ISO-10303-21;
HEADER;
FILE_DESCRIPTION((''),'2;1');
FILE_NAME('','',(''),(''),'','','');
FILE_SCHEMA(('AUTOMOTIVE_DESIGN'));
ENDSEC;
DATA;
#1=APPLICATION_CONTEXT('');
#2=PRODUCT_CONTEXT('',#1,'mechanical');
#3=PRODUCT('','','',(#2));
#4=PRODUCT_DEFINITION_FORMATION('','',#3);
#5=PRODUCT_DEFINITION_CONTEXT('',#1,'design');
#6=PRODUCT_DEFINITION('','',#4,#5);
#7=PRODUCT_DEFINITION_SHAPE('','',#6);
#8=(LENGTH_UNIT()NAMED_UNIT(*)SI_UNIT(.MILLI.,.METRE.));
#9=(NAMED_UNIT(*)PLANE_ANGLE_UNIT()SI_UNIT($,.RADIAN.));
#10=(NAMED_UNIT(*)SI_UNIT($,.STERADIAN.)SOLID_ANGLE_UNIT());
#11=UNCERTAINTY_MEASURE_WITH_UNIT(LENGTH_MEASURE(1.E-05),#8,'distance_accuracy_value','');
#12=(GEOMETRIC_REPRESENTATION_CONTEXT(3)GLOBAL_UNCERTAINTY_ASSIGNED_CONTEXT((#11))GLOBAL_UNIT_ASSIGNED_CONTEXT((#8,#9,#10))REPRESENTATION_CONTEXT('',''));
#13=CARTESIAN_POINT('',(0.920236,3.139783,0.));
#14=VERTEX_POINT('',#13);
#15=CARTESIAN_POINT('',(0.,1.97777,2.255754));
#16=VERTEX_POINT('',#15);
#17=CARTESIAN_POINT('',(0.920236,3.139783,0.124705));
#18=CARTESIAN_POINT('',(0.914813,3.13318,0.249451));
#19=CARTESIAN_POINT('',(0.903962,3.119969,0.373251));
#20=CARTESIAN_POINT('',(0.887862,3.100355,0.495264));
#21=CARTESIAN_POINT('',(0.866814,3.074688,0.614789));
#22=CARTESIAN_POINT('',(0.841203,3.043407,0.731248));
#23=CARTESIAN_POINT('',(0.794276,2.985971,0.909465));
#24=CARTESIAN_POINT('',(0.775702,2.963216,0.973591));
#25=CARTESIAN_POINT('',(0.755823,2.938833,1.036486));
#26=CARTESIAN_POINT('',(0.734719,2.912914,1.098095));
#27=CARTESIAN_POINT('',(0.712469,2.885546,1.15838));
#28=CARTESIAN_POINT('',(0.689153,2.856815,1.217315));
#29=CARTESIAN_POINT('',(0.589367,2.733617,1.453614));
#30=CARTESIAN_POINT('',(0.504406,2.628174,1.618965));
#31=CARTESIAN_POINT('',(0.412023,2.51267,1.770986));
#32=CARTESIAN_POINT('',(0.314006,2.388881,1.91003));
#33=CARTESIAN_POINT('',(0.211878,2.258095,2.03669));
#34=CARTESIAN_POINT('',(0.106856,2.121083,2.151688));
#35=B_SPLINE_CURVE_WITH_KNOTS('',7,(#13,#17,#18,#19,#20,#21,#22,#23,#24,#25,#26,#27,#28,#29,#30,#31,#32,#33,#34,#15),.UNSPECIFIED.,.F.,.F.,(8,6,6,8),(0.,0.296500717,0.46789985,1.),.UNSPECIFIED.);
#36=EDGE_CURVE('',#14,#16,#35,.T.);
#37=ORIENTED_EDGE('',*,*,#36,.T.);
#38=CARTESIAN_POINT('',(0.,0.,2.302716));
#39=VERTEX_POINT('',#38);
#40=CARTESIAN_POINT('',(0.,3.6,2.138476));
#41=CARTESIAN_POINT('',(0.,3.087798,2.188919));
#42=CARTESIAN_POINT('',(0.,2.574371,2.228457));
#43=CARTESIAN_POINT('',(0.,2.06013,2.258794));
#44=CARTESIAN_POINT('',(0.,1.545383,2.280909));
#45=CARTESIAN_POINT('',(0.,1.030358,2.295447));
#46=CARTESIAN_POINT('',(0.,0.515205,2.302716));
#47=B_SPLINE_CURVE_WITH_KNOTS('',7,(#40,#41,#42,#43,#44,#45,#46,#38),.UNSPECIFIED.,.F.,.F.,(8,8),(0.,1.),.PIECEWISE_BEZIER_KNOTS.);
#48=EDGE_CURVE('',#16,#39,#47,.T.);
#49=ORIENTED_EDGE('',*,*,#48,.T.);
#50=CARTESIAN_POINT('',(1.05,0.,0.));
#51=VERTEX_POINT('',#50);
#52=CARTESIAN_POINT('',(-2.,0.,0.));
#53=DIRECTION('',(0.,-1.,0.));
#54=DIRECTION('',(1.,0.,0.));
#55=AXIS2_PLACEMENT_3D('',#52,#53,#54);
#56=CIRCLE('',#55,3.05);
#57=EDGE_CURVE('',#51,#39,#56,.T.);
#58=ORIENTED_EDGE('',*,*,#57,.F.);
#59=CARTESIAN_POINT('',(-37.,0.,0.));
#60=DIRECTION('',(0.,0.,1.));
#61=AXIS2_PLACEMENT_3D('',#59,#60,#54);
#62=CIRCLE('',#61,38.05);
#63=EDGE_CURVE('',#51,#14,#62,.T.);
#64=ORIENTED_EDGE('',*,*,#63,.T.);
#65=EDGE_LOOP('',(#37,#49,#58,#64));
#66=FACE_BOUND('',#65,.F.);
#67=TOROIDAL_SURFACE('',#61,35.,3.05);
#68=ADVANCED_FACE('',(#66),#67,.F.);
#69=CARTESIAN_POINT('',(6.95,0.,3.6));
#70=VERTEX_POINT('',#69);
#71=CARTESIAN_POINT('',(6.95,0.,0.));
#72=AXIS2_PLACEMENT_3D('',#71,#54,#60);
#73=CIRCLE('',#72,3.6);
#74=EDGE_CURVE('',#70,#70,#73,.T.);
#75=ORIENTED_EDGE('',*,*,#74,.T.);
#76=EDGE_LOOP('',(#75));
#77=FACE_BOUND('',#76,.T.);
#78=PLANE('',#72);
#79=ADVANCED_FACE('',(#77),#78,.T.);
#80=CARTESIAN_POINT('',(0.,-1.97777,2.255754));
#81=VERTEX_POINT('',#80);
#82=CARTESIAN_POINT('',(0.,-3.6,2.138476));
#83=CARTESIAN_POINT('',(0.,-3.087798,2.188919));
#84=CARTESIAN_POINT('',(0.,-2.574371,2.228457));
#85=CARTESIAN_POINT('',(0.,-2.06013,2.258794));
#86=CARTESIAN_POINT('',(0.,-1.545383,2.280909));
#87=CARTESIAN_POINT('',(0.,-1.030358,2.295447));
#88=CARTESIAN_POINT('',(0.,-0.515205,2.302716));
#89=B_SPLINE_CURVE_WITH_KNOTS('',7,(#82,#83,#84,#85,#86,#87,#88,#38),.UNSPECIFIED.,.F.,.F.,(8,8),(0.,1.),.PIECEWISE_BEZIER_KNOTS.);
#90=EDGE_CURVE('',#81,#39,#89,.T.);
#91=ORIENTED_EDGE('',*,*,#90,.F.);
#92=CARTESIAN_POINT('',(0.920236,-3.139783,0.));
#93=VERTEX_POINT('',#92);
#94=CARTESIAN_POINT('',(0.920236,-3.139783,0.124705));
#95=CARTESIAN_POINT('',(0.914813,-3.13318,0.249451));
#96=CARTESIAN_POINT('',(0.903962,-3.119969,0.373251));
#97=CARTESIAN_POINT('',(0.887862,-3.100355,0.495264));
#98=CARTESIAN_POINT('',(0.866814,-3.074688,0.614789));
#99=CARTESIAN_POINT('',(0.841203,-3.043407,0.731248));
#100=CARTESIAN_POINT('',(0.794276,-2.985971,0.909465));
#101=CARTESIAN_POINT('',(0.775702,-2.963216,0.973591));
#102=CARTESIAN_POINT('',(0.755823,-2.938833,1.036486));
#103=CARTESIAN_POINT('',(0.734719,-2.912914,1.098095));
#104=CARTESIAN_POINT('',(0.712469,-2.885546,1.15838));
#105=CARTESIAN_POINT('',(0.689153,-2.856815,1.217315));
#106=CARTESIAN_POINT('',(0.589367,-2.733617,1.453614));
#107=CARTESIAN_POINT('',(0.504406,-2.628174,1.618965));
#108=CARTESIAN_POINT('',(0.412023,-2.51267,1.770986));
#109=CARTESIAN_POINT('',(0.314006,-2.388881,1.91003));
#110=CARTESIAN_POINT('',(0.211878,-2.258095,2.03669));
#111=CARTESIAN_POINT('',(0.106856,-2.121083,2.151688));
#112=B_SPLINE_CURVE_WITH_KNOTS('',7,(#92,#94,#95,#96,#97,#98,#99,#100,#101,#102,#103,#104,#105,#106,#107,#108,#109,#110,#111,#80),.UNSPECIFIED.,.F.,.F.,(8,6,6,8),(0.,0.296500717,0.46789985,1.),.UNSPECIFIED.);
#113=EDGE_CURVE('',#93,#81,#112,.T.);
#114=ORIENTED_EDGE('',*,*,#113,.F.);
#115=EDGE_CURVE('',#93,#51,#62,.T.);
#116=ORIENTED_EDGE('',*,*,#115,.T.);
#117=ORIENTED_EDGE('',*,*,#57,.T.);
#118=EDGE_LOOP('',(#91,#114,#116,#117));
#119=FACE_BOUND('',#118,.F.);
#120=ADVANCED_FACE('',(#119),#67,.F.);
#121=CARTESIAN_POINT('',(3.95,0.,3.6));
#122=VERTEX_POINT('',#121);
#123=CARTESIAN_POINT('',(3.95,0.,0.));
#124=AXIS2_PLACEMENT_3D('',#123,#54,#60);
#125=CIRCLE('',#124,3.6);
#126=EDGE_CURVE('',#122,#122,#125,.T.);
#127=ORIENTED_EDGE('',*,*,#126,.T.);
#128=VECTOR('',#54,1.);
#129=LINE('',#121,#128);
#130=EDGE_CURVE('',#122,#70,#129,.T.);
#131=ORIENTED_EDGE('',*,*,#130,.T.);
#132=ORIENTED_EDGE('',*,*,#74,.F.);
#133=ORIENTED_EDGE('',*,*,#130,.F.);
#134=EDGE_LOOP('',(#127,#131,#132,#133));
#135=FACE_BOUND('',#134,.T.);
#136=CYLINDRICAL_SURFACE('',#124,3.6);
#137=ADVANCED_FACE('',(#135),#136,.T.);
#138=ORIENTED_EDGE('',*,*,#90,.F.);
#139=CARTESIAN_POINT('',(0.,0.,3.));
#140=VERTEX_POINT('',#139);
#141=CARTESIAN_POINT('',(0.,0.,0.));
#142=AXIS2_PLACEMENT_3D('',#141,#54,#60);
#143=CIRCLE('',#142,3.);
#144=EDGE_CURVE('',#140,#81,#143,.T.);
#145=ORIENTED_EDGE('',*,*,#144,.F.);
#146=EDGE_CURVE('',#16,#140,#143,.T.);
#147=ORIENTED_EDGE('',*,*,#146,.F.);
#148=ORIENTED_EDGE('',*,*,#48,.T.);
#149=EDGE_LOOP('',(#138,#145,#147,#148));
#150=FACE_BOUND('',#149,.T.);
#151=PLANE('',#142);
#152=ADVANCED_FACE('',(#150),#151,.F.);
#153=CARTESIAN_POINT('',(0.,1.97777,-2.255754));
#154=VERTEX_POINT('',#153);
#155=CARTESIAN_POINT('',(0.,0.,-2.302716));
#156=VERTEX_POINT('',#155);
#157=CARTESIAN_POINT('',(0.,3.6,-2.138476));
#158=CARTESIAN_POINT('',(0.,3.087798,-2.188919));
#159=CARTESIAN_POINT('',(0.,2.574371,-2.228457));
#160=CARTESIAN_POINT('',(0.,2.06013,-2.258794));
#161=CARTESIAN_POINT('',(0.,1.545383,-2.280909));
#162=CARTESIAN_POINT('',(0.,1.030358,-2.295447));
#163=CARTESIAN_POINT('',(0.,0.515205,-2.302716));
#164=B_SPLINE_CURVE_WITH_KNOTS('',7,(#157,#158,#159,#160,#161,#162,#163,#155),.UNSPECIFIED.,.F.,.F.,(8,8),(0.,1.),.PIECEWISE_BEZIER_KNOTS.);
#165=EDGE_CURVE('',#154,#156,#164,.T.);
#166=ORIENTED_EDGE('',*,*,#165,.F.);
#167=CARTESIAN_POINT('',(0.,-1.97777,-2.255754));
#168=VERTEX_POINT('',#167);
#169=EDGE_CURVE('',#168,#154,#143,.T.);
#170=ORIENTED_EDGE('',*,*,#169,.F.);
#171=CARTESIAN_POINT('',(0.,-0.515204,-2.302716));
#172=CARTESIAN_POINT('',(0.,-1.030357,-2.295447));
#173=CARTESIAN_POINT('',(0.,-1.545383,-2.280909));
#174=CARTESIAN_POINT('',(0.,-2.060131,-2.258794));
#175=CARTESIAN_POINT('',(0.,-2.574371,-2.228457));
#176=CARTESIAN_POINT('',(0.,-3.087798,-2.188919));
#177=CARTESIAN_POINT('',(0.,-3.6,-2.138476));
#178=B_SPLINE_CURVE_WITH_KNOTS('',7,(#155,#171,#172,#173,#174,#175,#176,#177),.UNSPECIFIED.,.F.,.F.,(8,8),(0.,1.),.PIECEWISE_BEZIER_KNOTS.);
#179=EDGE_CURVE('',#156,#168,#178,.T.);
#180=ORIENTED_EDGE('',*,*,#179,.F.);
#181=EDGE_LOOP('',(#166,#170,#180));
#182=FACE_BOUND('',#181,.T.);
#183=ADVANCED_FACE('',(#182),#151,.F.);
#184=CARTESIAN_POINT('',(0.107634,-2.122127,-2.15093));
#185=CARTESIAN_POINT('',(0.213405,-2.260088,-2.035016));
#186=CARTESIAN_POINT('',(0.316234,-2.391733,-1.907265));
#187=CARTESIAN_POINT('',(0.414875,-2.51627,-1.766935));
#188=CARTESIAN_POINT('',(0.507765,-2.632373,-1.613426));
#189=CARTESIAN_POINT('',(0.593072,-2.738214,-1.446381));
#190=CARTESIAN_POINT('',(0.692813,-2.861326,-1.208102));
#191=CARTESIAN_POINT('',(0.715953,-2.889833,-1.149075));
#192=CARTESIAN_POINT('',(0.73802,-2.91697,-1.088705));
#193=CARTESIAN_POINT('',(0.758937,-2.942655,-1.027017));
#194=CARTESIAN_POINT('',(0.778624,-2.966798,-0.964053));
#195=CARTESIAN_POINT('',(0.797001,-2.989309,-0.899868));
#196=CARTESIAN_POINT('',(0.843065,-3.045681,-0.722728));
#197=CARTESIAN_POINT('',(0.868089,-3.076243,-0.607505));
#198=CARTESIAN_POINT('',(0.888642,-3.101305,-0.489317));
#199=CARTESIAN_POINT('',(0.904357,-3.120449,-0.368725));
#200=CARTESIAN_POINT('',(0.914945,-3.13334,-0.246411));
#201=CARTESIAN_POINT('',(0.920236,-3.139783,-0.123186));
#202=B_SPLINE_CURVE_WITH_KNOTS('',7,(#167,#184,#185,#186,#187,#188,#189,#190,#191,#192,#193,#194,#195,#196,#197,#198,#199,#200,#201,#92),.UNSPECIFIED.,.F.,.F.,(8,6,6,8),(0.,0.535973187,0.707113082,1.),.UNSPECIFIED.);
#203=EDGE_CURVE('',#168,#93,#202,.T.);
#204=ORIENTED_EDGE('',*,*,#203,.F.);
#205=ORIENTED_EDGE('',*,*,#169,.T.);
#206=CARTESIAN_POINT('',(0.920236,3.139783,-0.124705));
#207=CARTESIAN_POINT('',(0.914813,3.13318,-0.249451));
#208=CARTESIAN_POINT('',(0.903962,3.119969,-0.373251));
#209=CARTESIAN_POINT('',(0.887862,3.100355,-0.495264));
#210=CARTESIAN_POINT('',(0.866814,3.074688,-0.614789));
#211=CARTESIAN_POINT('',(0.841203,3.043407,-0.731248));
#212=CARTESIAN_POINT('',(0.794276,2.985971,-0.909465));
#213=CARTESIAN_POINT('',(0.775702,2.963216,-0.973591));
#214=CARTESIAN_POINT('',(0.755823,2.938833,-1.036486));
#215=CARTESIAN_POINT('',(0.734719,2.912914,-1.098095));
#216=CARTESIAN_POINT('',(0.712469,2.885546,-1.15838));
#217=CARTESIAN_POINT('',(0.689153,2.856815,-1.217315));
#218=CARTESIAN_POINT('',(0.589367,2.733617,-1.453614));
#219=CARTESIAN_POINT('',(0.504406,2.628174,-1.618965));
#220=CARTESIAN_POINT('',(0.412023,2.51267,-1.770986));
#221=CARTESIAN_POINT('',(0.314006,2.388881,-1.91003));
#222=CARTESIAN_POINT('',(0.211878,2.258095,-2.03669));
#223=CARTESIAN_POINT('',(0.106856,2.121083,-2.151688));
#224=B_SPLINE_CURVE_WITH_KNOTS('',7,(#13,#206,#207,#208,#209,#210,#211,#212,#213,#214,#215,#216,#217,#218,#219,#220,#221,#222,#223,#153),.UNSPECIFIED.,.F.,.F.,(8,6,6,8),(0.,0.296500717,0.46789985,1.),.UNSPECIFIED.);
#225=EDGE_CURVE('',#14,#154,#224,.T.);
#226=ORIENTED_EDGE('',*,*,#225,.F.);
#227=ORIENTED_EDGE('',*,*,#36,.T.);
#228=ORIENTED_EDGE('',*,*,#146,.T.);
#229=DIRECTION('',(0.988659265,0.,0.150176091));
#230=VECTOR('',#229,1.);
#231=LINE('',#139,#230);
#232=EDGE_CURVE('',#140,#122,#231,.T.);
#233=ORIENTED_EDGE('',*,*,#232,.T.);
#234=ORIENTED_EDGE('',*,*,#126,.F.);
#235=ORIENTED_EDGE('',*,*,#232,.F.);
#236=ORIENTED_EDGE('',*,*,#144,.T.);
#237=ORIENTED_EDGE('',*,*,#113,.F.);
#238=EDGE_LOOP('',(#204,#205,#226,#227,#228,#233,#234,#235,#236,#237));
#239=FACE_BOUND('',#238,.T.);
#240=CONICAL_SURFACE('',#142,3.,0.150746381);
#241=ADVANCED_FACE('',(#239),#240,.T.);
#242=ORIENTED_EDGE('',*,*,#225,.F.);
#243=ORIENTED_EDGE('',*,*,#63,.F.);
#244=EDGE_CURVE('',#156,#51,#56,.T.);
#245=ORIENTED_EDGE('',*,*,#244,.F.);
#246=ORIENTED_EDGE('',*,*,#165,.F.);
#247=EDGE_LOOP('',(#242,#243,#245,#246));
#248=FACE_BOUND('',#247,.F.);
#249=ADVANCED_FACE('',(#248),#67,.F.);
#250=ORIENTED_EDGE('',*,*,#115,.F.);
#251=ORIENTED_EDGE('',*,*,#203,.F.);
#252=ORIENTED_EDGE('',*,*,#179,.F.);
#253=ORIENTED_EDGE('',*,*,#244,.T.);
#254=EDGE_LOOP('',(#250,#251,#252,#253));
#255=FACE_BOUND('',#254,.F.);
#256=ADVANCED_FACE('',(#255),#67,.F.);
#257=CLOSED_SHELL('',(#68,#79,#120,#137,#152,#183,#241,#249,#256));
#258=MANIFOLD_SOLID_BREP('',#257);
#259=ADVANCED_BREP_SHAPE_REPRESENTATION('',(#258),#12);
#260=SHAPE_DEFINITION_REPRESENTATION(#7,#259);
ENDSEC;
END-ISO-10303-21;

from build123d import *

# Parameters (mm, degrees)
SKETCH001_R = 3.05


with BuildPart() as part:
    # Sketch → Revolution (revolve)
    with BuildSketch(Plane.XZ):
        Polygon((0, 0), (0, 3), (3.95, 3.6), (6.95, 3.6), (6.95, 0), align=None)
    revolve(axis=Axis((0, 0, 0), (1, 0, 0)))

    # Sketch001 → Groove (revolve, cut)
    with BuildSketch(Plane.XZ):
        with Locations((-2, 0)):
            Circle(SKETCH001_R)
    revolve(axis=Axis((-37, 0, 0), (0, 0, 1)), mode=Mode.SUBTRACT)


solid = part.part
